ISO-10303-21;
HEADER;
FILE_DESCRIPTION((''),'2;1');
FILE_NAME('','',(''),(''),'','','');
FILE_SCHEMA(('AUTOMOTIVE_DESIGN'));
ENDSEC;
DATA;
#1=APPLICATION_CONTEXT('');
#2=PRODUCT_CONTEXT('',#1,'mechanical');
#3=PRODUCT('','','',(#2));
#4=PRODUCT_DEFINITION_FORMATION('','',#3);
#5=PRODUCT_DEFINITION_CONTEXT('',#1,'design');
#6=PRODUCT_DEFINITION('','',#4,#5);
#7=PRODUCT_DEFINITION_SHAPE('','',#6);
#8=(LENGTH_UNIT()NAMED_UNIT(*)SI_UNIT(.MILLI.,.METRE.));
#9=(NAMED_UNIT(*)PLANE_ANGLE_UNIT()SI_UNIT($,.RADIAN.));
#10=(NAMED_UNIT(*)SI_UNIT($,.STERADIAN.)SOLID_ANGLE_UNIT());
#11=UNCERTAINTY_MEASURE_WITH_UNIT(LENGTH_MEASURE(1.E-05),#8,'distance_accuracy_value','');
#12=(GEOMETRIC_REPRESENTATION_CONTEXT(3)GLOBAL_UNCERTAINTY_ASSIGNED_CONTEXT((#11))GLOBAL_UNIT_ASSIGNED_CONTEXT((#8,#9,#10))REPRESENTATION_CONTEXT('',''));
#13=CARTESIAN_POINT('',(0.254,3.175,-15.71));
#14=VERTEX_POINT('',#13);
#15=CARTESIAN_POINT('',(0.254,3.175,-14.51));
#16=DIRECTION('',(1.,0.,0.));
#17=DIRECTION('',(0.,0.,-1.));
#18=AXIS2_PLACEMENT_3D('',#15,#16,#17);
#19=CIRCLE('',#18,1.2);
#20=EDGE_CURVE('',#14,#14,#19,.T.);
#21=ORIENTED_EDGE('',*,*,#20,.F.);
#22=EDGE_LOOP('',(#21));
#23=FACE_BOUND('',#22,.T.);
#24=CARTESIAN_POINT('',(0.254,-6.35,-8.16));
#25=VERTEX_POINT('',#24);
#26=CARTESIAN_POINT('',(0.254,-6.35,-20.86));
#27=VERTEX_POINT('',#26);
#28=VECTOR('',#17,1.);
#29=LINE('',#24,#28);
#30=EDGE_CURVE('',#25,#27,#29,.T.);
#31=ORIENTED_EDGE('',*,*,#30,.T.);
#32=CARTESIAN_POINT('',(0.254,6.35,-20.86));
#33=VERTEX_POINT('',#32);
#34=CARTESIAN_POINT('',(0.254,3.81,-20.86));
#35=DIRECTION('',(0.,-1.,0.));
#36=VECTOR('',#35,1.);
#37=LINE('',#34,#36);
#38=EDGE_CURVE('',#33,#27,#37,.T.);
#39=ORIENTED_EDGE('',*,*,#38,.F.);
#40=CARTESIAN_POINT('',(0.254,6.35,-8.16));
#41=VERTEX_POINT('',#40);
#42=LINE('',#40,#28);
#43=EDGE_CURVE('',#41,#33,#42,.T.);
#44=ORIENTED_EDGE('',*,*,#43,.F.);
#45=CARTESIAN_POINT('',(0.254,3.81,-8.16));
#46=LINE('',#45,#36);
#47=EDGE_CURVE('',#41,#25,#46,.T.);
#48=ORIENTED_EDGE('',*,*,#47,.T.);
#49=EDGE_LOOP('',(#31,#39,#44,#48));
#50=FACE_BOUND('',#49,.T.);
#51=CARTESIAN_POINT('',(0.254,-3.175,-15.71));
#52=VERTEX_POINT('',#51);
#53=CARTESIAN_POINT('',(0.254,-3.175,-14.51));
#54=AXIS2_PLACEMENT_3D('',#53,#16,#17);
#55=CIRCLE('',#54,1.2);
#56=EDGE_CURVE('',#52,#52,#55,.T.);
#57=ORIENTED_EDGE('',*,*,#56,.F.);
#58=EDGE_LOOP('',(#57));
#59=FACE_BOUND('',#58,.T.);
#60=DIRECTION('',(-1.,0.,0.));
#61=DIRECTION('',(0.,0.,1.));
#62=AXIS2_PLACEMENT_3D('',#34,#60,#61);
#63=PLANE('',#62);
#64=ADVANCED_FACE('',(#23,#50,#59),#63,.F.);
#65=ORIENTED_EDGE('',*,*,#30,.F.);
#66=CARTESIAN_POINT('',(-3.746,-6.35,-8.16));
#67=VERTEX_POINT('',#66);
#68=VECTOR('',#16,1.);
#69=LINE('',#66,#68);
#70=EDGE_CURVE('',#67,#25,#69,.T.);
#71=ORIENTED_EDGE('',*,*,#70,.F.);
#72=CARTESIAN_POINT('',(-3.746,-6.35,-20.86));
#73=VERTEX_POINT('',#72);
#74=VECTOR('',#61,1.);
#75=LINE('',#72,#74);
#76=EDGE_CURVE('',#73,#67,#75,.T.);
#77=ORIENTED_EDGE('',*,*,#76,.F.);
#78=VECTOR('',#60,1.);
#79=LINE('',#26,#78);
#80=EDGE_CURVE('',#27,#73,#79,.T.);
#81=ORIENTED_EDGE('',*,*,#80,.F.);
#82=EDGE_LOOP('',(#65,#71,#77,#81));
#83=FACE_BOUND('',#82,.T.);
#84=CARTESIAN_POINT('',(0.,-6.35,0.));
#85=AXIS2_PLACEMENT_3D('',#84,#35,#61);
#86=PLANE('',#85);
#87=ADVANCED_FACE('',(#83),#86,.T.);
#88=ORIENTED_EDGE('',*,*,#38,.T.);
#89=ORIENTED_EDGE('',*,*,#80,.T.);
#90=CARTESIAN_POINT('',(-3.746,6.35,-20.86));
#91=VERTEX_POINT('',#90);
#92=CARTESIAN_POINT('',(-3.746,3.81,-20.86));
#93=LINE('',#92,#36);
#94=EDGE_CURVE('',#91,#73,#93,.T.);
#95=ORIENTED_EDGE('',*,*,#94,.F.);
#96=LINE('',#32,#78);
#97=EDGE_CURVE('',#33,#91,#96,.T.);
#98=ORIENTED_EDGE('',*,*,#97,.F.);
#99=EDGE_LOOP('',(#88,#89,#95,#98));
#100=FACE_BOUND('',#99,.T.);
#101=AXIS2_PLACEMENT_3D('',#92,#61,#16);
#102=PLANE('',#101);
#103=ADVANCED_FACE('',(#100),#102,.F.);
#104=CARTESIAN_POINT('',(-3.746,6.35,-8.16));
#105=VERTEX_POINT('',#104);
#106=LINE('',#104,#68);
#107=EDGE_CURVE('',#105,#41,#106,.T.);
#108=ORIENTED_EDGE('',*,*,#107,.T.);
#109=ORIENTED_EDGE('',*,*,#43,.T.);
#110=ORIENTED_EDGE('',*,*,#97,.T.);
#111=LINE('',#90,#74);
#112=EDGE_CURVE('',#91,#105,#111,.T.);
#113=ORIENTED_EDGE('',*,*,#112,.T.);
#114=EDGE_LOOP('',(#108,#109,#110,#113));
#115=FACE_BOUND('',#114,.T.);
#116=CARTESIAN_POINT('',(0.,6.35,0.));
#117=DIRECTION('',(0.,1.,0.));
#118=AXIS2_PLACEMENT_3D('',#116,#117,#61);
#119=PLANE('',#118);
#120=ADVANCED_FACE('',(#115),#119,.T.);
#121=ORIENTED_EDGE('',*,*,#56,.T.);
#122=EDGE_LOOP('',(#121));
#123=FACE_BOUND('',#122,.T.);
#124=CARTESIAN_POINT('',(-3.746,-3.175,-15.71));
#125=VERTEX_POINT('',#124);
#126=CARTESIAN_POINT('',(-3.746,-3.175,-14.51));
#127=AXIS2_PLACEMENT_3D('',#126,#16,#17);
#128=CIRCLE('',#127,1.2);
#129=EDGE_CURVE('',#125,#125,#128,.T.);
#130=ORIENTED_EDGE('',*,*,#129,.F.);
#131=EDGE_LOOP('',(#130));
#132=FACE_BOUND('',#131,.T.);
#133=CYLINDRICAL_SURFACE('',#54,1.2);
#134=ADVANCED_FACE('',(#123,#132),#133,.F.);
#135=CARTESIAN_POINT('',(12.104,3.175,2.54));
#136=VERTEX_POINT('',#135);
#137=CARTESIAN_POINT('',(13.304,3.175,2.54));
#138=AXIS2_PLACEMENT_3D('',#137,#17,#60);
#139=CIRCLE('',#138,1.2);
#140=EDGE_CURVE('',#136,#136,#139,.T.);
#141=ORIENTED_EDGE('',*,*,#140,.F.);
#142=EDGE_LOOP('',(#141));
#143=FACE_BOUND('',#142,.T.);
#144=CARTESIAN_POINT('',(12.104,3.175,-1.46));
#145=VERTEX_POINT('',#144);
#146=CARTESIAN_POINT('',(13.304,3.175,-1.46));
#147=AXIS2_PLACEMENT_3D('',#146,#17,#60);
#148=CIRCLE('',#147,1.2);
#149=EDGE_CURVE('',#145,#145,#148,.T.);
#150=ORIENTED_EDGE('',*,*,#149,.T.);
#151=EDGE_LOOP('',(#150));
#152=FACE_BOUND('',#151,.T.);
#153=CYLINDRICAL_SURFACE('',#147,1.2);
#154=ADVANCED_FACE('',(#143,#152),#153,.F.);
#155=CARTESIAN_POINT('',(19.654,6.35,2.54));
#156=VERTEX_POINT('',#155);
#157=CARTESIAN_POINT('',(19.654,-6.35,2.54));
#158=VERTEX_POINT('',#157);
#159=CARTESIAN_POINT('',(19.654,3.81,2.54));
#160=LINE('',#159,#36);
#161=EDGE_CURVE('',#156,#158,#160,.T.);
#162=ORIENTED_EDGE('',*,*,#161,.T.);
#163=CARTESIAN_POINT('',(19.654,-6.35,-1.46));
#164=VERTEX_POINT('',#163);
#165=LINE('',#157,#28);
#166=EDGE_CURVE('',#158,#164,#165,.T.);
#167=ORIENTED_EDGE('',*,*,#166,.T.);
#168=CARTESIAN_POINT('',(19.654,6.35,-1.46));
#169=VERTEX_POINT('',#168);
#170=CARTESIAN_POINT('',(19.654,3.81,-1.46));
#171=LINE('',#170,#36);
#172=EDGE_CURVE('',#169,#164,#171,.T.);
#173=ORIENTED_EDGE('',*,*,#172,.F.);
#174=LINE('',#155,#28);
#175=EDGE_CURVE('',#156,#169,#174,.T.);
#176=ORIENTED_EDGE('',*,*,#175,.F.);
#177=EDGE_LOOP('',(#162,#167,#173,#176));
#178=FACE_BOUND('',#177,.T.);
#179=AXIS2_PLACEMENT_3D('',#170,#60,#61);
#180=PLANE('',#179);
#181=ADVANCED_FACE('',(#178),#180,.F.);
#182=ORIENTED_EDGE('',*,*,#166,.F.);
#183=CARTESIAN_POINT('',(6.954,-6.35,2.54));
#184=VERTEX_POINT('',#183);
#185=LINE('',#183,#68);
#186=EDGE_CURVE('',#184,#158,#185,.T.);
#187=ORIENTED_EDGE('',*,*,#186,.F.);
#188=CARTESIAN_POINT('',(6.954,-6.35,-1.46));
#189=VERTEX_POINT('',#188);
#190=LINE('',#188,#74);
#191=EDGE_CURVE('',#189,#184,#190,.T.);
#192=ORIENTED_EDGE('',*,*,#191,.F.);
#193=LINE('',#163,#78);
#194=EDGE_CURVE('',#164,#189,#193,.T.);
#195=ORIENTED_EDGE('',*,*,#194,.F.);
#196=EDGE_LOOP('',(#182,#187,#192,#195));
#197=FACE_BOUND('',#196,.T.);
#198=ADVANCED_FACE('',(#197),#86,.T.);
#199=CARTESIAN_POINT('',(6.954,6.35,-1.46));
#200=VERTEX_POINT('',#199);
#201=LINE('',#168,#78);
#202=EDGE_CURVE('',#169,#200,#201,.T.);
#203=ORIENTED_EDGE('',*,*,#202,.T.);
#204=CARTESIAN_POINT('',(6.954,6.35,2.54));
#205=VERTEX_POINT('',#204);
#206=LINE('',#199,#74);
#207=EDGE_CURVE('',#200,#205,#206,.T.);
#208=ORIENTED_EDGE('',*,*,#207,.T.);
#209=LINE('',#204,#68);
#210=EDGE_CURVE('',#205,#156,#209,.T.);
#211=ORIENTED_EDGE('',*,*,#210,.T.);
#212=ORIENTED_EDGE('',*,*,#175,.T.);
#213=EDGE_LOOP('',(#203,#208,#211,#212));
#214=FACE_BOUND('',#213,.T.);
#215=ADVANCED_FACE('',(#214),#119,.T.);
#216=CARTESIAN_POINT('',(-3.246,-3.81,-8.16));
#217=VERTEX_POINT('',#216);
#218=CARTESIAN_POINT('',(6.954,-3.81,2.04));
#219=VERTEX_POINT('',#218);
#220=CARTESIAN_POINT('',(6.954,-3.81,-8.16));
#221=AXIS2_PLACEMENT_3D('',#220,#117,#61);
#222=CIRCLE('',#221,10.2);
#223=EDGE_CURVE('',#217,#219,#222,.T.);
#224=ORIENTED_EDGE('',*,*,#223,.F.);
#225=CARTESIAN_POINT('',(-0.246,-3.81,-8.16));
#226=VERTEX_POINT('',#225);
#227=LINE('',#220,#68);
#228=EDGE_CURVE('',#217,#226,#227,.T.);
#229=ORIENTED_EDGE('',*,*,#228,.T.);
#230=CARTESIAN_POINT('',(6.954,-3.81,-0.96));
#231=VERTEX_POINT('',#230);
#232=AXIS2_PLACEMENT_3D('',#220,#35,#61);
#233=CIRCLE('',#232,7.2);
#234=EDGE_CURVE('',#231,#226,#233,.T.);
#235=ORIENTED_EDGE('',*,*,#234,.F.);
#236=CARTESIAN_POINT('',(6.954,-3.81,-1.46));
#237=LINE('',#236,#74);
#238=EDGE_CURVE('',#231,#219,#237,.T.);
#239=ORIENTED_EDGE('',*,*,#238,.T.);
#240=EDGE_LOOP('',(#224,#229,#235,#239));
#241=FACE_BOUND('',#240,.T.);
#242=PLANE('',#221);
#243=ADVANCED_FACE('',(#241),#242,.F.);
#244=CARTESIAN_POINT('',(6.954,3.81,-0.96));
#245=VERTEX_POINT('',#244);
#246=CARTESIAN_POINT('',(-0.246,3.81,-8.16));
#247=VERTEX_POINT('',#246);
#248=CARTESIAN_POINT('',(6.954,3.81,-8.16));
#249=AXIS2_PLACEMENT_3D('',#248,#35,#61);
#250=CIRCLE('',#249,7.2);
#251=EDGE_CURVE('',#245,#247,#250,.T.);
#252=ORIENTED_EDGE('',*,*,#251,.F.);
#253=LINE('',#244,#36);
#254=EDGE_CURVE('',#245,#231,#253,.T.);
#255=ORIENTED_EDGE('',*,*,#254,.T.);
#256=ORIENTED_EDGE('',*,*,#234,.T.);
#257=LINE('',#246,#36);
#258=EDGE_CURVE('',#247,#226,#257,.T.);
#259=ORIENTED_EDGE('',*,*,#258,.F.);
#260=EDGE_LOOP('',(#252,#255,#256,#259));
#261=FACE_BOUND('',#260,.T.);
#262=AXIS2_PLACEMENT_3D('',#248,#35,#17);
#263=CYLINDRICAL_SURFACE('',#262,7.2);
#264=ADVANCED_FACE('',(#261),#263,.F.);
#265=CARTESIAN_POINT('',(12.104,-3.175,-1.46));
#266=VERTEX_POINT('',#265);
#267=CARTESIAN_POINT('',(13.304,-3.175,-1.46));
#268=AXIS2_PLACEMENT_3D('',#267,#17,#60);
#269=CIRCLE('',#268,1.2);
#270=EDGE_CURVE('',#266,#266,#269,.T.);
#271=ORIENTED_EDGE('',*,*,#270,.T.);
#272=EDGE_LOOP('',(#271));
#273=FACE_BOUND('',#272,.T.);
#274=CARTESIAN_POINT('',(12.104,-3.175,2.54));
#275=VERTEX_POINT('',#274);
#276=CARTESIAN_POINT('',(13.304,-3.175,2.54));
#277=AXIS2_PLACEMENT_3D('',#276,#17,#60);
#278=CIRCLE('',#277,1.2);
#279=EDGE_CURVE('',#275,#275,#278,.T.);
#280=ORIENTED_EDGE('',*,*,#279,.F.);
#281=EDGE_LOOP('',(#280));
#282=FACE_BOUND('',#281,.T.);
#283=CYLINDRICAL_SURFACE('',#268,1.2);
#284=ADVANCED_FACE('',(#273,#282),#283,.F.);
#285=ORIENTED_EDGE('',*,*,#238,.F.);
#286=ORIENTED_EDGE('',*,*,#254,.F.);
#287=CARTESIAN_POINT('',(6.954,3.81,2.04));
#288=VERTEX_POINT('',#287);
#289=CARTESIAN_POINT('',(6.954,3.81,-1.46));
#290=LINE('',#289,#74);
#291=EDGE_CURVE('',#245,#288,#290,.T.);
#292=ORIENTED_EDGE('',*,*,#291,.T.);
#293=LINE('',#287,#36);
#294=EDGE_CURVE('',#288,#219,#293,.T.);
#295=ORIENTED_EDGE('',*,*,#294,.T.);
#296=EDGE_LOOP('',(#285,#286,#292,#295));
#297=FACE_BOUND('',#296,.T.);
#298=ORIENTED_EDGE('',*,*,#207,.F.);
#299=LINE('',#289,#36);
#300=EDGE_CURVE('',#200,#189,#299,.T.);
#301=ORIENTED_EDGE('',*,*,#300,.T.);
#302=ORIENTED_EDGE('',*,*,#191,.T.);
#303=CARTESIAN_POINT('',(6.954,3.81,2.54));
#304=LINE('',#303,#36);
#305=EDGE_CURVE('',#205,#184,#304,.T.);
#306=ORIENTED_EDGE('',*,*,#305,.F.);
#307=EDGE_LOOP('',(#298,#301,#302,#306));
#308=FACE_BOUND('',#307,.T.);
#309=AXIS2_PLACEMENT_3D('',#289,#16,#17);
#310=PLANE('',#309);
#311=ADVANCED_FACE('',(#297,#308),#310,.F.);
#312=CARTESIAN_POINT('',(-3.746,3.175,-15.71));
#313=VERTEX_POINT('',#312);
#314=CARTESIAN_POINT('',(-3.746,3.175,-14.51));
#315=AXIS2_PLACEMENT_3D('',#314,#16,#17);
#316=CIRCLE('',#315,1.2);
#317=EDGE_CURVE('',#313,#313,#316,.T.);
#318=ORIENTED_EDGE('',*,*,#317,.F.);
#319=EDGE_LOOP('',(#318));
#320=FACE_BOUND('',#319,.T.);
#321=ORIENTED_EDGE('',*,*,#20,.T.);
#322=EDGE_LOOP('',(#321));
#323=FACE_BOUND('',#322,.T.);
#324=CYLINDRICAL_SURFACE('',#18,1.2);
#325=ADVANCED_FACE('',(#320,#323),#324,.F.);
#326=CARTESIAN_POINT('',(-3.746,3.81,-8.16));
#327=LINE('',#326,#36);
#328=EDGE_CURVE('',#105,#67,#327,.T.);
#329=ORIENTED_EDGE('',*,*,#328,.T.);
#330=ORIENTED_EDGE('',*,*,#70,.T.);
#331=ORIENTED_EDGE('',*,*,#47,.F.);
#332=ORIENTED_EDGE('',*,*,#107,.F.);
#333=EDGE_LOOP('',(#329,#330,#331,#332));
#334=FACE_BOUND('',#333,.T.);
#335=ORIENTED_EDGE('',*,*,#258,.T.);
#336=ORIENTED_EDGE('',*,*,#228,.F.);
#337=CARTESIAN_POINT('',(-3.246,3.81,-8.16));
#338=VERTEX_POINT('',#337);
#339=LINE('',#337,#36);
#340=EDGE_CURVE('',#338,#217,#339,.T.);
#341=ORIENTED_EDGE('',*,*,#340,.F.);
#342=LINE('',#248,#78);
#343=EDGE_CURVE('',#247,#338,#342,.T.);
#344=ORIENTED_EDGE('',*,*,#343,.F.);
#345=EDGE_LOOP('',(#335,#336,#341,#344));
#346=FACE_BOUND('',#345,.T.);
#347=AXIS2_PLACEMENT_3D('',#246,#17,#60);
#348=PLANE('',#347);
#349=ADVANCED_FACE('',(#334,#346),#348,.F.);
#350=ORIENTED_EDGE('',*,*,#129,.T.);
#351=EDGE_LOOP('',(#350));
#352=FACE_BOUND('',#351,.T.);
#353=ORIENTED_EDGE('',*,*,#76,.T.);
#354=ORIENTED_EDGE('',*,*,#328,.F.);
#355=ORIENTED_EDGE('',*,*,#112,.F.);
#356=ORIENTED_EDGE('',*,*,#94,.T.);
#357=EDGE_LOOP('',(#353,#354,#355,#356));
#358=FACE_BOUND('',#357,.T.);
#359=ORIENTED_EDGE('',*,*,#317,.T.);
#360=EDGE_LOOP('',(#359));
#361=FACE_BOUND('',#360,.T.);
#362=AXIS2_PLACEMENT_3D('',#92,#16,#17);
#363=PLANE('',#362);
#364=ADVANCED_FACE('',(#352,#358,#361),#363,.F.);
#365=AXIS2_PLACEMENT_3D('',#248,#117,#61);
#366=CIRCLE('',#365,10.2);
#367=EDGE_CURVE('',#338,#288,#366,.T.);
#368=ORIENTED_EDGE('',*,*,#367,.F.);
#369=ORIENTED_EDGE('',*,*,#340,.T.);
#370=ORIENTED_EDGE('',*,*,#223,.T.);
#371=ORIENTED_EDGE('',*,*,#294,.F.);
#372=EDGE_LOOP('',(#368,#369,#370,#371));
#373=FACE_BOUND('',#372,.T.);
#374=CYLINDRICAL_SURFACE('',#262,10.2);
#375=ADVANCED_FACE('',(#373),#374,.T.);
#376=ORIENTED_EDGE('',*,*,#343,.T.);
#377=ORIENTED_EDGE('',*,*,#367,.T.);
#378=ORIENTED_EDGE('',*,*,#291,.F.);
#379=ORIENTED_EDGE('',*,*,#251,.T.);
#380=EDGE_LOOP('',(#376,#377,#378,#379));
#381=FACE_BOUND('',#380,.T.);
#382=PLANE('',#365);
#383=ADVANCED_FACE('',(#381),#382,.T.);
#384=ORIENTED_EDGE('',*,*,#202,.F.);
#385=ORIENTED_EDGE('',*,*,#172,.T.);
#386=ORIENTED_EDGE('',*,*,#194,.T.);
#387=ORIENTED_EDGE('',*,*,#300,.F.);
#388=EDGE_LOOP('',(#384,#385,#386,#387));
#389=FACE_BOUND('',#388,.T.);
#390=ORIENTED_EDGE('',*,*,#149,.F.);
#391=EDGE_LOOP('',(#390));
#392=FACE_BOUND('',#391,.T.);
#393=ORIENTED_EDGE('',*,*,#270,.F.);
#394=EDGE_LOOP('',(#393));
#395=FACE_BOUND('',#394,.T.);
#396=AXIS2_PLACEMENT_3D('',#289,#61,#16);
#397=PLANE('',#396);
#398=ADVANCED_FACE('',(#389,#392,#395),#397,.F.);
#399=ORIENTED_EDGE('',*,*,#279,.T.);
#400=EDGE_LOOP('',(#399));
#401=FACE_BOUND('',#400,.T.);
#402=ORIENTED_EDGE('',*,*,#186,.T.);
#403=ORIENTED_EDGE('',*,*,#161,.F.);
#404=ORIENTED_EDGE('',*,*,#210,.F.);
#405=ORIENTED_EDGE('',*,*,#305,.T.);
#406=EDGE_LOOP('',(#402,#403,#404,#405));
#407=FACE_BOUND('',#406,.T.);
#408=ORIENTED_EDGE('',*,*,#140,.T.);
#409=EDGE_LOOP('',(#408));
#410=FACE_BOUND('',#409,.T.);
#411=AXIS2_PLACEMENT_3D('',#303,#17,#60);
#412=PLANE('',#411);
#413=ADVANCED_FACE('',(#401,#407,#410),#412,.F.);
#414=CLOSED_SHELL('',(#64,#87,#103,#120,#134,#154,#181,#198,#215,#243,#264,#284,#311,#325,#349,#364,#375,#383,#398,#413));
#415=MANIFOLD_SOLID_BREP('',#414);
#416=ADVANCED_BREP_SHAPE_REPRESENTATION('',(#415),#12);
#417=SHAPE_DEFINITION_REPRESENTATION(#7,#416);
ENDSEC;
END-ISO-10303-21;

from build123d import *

# Parameters (mm, degrees)
BOSS_EXTRUDE1_DEPTH  = 3.81
SKETCH3_W            = 12.7
SKETCH3_H            = 4
SKETCH3_W_2          = 4
SKETCH3_H_2          = 12.7
BOSS_EXTRUDE2_DEPTH  = 2.54
M2_CLEARANCE_HOLE1_D = 2.4
M2_CLEARANCE_HOLE2_D = 2.4


with BuildPart() as part:
    # Sketch2 → Boss-Extrude1 (new body, symmetric)
    with BuildSketch(Plane(origin=(0, 0, 0), x_dir=(1, 0, 0), z_dir=(0, 1, 0))):
        with BuildLine():
            Line((-3.746, 20.86), (0.254, 20.86))
            Line((0.254, 20.86), (0.254, 8.16))
            Line((0.254, 8.16), (-0.246, 8.16))
            ThreePointArc((-0.246, 8.16), (1.862831175, 3.068831175), (6.954, 0.96))
            Line((6.954, 0.96), (6.954, 1.46))
            Line((6.954, 1.46), (19.654, 1.46))
            Line((19.654, 1.46), (19.654, -2.54))
            Line((19.654, -2.54), (6.954, -2.54))
            Line((6.954, -2.54), (6.954, -2.04))
            ThreePointArc((6.954, -2.04), (-0.258489168, 0.947510832), (-3.246, 8.16))
            Line((-3.246, 8.16), (-3.746, 8.16))
            Line((-3.746, 8.16), (-3.746, 20.86))
        make_face()
    extrude(amount=BOSS_EXTRUDE1_DEPTH, both=True)

    # Sketch3 → Boss-Extrude2 (add)
    with BuildSketch(Plane(origin=(0, 3.81, 0), x_dir=(1, 0, 0), z_dir=(0, 1, 0))):
        with Locations((13.304, -0.54)):
            Rectangle(SKETCH3_W, SKETCH3_H)
        with Locations((-1.746, 14.51)):
            Rectangle(SKETCH3_W_2, SKETCH3_H_2)
    boss_extrude2 = extrude(amount=BOSS_EXTRUDE2_DEPTH)

    # Mirror1: Boss-Extrude2 across plane
    add(boss_extrude2.mirror(Plane.ZX))

    # M2 Clearance Hole1 (through all)
    with Locations(Plane(origin=(0.254, 0, 0), x_dir=(0, 0, -1), z_dir=(1, 0, 0))):
        with Locations((14.51, 3.175), (14.51, -3.175)):
            Hole(M2_CLEARANCE_HOLE1_D / 2)

    # M2 Clearance Hole2 (through all)
    with Locations(Plane(origin=(0, 0, -1.46), x_dir=(-1, 0, 0), z_dir=(0, 0, -1))):
        with Locations((-13.304, 3.175), (-13.304, -3.175)):
            Hole(M2_CLEARANCE_HOLE2_D / 2)


solid = part.part
